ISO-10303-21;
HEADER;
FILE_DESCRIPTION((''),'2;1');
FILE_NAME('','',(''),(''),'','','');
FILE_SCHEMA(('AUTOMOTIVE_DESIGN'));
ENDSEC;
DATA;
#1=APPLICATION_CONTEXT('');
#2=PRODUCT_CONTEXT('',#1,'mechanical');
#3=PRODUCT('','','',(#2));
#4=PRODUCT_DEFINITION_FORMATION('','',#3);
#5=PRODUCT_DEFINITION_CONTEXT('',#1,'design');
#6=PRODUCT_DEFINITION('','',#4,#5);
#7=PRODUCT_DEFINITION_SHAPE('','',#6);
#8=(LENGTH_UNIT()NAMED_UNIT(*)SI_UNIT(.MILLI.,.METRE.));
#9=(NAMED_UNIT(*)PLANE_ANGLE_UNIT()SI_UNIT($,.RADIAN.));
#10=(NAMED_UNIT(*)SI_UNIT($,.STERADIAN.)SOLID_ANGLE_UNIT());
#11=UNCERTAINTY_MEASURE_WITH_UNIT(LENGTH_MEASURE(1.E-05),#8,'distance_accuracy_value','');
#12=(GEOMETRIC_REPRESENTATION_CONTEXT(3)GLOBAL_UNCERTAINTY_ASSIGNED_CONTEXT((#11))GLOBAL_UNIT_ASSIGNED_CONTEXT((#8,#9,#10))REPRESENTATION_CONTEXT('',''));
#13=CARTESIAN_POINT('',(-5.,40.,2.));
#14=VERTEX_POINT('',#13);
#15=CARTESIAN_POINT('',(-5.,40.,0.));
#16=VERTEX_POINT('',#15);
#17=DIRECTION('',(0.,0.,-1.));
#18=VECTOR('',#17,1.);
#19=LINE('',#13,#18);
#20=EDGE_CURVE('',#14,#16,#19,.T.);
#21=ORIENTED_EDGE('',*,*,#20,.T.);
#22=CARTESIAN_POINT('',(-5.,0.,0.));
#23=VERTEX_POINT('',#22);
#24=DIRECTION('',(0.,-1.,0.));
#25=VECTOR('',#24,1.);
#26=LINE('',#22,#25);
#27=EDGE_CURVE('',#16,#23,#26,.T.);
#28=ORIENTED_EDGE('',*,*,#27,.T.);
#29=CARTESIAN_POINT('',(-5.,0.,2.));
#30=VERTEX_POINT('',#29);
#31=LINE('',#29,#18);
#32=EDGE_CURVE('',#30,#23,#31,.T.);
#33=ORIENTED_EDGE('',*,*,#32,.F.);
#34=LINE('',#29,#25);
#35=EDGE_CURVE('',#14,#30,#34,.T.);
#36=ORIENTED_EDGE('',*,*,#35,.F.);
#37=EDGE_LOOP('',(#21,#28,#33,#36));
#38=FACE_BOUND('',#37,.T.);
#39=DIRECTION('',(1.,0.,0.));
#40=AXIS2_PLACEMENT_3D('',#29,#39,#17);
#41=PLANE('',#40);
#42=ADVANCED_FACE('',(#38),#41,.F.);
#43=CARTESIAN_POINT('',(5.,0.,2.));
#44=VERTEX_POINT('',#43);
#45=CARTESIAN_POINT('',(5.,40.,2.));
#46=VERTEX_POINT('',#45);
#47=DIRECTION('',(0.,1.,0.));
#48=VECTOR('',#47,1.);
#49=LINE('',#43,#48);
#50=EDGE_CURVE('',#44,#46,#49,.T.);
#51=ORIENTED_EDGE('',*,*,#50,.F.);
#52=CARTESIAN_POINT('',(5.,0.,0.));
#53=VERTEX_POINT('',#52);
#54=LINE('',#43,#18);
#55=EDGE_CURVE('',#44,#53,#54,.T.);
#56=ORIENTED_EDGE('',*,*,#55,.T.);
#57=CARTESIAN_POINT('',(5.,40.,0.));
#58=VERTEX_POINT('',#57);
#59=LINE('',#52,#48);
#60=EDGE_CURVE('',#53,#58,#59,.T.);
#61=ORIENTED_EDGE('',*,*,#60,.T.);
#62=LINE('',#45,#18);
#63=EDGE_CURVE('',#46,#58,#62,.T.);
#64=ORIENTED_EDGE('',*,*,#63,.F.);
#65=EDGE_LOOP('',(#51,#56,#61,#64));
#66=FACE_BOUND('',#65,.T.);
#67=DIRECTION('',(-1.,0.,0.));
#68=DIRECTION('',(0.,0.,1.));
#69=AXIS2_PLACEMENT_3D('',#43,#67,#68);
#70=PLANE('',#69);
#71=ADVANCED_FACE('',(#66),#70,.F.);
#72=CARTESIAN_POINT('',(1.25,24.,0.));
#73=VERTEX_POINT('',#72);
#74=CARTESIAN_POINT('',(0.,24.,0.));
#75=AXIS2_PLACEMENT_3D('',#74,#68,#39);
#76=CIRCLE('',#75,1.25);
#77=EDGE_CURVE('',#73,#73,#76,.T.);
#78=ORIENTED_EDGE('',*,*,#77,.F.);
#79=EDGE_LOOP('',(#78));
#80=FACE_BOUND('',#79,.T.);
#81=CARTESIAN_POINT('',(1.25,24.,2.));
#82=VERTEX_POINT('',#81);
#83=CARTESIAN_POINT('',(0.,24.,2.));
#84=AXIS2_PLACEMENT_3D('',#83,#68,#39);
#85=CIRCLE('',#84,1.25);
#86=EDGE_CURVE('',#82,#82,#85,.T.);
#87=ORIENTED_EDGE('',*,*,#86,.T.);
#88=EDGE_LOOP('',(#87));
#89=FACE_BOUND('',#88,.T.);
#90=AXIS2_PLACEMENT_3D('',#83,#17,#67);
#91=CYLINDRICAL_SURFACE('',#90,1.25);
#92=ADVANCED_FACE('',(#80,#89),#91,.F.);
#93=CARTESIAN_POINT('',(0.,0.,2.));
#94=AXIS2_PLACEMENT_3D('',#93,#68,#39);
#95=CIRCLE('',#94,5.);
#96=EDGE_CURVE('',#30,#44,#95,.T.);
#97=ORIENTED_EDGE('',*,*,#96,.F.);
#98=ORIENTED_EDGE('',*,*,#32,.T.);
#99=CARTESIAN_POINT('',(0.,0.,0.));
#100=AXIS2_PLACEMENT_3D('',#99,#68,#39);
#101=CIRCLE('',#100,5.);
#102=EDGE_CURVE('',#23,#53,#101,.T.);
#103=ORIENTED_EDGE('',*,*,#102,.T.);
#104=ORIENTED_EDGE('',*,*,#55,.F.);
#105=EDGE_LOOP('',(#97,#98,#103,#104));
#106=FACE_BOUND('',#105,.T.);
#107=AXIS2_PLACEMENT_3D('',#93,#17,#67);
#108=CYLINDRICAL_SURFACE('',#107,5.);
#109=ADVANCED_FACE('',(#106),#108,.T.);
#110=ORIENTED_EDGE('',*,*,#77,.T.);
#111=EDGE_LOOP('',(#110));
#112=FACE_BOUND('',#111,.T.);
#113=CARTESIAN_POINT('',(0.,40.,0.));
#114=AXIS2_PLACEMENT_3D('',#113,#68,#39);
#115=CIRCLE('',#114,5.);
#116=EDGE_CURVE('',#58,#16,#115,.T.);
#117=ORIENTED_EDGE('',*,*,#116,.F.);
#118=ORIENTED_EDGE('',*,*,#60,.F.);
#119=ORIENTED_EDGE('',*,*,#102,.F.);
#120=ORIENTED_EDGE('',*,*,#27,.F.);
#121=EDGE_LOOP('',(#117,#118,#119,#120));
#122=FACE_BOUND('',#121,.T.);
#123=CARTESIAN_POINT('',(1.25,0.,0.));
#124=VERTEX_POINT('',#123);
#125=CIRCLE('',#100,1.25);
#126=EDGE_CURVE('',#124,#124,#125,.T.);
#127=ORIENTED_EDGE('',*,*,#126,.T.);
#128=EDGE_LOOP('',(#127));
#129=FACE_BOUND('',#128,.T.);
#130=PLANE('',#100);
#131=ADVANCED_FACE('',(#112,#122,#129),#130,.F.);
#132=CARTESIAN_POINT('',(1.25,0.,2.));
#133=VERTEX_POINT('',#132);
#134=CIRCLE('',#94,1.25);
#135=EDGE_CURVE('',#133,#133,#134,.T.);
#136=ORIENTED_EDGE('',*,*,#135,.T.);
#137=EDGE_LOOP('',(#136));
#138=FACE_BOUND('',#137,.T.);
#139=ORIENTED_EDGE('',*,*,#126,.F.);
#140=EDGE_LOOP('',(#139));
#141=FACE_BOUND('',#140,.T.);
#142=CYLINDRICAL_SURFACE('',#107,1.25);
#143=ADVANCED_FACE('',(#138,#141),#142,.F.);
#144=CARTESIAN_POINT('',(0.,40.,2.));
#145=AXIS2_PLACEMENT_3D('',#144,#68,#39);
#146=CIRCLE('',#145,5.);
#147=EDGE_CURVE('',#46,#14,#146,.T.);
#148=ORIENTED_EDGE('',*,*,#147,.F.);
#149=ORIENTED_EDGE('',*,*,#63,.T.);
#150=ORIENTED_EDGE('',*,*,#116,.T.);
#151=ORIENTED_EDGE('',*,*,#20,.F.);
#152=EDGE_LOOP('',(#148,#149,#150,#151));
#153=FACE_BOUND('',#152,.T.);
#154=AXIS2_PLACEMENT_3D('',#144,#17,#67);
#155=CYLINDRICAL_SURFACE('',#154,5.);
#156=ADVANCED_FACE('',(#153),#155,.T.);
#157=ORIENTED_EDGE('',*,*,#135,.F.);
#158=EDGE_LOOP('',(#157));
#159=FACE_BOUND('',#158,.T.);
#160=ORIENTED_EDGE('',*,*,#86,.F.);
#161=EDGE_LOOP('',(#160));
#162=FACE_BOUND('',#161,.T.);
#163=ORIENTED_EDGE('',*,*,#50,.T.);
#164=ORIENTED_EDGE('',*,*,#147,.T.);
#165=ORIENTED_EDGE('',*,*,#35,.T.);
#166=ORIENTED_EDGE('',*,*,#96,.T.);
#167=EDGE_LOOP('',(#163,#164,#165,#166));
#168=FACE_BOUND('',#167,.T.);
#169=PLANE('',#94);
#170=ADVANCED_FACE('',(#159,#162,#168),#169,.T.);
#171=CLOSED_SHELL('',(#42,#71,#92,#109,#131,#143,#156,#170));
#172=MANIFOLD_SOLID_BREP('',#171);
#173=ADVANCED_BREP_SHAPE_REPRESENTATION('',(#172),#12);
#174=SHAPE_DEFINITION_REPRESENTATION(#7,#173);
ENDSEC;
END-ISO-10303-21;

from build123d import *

# Parameters (mm, degrees)
SKETCH1_R           = 1.25
BOSS_EXTRUDE1_DEPTH = 2


with BuildPart() as part:
    # Sketch1 → Boss-Extrude1 (new body)
    with BuildSketch(Plane.XY):
        with BuildLine():
            Line((-5, 0), (-5, 40))
            ThreePointArc((-5, 40), (0, 45), (5, 40))
            Line((5, 40), (5, 0))
            ThreePointArc((5, 0), (0, -5), (-5, 0))
        make_face()
        Circle(SKETCH1_R, mode=Mode.SUBTRACT)
        with Locations((0, 24)):
            Circle(SKETCH1_R, mode=Mode.SUBTRACT)
    extrude(amount=BOSS_EXTRUDE1_DEPTH)


solid = part.part
